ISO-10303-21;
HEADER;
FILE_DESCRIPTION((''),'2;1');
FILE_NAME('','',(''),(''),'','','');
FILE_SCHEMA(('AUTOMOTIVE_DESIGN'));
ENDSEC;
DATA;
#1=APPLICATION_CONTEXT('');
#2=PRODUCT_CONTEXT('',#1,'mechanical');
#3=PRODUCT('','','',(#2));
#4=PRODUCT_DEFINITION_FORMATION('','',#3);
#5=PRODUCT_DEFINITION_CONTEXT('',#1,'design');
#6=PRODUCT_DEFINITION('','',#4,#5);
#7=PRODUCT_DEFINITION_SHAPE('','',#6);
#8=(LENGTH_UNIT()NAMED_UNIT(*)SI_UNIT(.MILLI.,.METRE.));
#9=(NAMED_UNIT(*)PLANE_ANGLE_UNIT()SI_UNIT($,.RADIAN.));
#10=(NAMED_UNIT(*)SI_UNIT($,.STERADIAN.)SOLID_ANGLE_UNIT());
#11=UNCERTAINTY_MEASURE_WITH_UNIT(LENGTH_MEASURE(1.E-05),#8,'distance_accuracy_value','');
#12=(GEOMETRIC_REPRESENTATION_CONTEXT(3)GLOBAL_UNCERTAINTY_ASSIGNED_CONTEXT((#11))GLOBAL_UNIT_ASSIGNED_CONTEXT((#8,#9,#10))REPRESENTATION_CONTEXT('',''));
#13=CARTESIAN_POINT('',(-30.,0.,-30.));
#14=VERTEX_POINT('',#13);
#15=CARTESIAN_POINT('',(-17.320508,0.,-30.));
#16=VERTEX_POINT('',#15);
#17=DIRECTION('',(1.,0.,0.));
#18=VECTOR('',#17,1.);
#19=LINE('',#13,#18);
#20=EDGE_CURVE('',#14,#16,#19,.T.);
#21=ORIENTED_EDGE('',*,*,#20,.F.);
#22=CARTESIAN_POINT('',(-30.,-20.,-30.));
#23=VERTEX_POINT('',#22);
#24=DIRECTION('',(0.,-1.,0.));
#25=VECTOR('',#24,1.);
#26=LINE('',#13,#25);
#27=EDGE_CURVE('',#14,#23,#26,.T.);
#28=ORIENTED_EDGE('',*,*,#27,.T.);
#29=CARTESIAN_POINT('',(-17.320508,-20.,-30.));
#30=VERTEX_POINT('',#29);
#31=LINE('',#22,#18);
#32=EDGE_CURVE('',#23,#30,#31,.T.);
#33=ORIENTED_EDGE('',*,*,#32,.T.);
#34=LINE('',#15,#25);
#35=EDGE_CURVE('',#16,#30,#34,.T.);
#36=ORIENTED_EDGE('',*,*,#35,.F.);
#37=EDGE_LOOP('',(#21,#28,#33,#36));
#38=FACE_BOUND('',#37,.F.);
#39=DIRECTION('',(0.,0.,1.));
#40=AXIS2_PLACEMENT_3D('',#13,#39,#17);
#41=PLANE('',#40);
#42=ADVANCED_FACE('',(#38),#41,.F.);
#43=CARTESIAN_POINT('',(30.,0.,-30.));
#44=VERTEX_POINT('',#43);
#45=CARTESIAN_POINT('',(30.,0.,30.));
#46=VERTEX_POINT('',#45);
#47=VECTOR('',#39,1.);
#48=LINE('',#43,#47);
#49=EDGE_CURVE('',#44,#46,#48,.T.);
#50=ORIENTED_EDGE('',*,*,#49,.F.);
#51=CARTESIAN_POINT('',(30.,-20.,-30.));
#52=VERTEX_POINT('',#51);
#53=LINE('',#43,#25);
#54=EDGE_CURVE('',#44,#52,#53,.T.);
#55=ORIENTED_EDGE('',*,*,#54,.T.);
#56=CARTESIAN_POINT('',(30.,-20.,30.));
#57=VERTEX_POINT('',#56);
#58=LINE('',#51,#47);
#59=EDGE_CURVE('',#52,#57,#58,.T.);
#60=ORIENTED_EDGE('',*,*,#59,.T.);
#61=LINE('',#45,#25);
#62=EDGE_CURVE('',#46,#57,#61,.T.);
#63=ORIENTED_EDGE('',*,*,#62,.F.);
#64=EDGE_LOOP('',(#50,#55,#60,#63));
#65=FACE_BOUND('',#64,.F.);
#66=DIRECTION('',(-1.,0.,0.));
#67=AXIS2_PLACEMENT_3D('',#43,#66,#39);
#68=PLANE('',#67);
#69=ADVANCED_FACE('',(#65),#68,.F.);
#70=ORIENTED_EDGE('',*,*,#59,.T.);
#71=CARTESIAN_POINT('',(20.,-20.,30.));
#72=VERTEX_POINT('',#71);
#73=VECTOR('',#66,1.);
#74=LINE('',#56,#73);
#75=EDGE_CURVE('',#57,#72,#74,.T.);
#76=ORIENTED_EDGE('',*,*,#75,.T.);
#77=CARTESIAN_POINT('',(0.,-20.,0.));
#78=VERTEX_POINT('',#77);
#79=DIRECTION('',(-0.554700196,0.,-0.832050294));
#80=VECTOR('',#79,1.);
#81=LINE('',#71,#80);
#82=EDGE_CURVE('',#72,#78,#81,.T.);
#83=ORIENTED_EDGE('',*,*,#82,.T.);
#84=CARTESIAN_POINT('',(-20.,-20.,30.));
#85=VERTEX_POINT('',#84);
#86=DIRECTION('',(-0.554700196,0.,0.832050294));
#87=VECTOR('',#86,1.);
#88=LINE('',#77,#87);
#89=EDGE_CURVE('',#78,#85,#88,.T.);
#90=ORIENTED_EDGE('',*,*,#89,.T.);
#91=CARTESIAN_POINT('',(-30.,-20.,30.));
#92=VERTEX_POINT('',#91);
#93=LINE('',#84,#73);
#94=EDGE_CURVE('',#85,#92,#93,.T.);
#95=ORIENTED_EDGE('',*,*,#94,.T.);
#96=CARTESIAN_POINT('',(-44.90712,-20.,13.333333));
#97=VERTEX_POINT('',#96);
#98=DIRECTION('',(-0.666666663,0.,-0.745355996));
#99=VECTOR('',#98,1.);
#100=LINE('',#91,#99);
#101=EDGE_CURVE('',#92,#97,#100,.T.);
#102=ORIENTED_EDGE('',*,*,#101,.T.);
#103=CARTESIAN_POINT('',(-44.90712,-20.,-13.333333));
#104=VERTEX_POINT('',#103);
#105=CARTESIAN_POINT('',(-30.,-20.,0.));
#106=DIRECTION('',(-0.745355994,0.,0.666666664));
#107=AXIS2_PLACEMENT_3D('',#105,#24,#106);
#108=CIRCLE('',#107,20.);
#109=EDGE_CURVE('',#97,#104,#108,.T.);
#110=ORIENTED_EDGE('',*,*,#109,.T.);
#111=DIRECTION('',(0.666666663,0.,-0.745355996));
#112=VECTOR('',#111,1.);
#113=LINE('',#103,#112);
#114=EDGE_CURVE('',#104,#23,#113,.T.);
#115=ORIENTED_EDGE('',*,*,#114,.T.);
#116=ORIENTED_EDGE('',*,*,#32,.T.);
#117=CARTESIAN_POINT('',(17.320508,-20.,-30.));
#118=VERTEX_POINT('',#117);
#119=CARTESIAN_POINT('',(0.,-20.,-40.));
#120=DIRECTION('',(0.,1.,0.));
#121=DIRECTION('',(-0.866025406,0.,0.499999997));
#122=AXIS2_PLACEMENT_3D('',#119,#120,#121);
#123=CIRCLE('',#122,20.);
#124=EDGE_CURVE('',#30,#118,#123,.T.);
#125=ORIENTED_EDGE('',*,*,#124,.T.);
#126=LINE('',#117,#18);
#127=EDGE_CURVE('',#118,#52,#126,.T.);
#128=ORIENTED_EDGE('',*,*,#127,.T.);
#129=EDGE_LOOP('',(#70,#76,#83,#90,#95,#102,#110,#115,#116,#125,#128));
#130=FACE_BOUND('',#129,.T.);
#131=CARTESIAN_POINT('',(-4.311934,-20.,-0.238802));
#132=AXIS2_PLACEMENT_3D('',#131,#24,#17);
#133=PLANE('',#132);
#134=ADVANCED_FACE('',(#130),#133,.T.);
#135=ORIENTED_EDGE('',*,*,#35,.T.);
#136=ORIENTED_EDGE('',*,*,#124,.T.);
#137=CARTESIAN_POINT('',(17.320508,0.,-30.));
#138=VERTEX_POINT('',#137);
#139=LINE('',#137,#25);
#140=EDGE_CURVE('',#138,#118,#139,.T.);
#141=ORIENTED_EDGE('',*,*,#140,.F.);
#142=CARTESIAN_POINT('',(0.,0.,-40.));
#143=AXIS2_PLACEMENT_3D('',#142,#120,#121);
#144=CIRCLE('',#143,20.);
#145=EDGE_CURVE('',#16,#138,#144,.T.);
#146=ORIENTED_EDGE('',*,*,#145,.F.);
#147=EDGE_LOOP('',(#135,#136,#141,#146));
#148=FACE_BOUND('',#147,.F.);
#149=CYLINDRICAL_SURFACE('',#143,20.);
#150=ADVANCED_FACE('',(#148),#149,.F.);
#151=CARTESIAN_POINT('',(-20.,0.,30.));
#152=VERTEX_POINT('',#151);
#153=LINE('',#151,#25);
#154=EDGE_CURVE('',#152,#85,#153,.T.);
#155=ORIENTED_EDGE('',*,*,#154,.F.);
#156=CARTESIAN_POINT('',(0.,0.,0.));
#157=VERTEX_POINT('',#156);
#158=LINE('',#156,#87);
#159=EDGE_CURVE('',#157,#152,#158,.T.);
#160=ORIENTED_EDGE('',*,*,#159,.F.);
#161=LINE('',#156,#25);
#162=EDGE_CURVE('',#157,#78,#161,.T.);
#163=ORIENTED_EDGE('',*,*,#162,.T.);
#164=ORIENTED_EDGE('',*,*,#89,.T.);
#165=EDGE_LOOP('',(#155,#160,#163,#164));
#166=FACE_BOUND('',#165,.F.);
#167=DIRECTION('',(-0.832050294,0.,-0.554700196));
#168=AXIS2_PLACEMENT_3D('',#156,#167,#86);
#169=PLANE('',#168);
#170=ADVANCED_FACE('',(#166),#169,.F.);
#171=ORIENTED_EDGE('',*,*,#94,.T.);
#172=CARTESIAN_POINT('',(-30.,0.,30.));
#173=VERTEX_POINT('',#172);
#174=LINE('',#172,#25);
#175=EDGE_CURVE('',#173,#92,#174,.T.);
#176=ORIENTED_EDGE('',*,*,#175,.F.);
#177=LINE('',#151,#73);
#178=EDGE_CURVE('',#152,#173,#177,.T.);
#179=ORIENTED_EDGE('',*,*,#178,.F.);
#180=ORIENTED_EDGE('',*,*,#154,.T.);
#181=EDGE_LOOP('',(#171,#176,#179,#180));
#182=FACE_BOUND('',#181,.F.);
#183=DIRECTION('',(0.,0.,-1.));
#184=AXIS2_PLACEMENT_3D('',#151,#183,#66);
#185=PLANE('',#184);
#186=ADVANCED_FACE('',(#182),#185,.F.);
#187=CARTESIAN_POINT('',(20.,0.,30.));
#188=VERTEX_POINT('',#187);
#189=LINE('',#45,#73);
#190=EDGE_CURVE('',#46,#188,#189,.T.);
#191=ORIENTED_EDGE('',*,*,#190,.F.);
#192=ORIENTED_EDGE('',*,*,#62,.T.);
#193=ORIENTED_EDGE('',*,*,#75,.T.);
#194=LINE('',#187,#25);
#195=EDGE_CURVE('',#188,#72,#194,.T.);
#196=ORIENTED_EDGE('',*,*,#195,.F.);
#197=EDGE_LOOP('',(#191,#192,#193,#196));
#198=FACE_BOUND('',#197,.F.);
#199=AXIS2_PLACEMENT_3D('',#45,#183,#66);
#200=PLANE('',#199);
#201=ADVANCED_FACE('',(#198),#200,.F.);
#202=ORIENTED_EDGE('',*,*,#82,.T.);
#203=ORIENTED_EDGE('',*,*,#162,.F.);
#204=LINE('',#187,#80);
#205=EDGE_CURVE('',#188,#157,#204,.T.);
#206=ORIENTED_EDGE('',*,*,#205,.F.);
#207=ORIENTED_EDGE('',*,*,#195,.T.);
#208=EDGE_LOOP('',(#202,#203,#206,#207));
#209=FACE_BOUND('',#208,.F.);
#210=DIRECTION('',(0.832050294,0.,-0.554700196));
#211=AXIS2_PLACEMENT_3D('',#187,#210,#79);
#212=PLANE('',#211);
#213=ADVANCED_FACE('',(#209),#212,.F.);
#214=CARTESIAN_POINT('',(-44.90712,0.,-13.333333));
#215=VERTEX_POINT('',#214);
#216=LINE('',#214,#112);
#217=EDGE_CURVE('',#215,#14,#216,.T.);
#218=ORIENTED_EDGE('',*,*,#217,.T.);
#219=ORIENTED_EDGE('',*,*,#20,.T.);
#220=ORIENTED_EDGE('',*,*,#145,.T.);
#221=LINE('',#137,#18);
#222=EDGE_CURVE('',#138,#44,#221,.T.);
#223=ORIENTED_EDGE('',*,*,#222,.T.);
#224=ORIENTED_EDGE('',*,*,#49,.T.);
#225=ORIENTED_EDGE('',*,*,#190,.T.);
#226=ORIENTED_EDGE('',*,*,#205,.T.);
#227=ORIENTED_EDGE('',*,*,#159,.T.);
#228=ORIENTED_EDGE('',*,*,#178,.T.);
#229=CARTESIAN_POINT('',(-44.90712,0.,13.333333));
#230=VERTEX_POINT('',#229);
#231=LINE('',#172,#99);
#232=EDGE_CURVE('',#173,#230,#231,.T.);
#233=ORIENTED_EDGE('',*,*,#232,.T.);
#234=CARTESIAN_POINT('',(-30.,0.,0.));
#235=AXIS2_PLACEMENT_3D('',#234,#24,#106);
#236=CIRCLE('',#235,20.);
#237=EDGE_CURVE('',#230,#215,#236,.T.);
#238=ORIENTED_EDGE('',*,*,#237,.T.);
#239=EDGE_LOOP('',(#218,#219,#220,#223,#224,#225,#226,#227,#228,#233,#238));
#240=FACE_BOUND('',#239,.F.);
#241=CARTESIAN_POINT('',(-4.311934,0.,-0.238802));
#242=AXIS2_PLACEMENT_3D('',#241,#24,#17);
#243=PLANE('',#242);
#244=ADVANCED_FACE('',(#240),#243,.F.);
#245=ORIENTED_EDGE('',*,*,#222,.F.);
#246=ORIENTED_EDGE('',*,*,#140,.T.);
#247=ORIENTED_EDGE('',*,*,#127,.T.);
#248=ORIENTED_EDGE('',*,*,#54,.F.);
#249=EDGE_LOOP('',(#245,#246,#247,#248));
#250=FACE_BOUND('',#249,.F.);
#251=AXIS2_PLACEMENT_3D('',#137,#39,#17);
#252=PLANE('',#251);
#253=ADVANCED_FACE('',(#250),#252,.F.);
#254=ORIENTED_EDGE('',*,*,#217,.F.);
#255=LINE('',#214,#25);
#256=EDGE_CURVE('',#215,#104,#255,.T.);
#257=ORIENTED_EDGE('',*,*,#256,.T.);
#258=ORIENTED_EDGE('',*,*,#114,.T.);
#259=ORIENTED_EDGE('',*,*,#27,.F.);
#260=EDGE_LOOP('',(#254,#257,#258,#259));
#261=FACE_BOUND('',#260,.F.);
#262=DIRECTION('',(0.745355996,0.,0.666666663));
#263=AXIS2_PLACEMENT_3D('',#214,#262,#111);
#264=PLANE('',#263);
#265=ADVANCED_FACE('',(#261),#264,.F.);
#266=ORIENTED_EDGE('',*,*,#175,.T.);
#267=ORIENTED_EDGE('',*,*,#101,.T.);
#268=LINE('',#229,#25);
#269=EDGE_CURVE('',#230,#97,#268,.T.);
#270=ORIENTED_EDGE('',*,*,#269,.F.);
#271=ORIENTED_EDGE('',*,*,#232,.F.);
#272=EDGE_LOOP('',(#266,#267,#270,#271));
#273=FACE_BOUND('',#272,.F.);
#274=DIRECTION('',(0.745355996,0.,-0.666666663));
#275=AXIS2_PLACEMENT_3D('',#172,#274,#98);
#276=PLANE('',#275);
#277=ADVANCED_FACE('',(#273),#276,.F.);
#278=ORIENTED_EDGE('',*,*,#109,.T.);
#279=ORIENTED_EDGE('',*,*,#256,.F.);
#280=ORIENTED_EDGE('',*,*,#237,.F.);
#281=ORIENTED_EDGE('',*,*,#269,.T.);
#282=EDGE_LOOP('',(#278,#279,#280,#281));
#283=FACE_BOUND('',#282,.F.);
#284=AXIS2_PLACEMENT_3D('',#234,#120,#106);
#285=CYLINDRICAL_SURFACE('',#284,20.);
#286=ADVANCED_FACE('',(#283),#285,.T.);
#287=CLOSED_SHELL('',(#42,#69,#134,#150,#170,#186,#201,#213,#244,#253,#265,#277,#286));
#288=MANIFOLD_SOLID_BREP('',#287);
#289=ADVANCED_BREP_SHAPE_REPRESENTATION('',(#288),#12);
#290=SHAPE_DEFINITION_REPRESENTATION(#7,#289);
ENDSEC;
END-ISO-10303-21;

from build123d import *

# Parameters (mm, degrees)
F1_DEPTH = 20


with BuildPart() as f1:
    # F0 (on Front) → F1 (new body)
    with BuildSketch(Plane.XZ):
        with BuildLine():
            Line((17.320508, -30), (30, -30))
            Line((30, -30), (30, 0))
            Line((30, 0), (30, 30))
            Line((30, 30), (20, 30))
            Line((20, 30), (0, 0))
            Line((0, 0), (-20, 30))
            Line((-20, 30), (-30, 30))
            Line((-30, 30), (-44.90712, 13.333333))
            ThreePointArc((-44.90712, 13.333333), (-50, 0), (-44.90712, -13.333333))
            Line((-44.90712, -13.333333), (-30, -30))
            Line((-30, -30), (-17.320508, -30))
            ThreePointArc((-17.320508, -30), (0, -20), (17.320508, -30))
        make_face()
    extrude(amount=F1_DEPTH)


solid = f1.part
